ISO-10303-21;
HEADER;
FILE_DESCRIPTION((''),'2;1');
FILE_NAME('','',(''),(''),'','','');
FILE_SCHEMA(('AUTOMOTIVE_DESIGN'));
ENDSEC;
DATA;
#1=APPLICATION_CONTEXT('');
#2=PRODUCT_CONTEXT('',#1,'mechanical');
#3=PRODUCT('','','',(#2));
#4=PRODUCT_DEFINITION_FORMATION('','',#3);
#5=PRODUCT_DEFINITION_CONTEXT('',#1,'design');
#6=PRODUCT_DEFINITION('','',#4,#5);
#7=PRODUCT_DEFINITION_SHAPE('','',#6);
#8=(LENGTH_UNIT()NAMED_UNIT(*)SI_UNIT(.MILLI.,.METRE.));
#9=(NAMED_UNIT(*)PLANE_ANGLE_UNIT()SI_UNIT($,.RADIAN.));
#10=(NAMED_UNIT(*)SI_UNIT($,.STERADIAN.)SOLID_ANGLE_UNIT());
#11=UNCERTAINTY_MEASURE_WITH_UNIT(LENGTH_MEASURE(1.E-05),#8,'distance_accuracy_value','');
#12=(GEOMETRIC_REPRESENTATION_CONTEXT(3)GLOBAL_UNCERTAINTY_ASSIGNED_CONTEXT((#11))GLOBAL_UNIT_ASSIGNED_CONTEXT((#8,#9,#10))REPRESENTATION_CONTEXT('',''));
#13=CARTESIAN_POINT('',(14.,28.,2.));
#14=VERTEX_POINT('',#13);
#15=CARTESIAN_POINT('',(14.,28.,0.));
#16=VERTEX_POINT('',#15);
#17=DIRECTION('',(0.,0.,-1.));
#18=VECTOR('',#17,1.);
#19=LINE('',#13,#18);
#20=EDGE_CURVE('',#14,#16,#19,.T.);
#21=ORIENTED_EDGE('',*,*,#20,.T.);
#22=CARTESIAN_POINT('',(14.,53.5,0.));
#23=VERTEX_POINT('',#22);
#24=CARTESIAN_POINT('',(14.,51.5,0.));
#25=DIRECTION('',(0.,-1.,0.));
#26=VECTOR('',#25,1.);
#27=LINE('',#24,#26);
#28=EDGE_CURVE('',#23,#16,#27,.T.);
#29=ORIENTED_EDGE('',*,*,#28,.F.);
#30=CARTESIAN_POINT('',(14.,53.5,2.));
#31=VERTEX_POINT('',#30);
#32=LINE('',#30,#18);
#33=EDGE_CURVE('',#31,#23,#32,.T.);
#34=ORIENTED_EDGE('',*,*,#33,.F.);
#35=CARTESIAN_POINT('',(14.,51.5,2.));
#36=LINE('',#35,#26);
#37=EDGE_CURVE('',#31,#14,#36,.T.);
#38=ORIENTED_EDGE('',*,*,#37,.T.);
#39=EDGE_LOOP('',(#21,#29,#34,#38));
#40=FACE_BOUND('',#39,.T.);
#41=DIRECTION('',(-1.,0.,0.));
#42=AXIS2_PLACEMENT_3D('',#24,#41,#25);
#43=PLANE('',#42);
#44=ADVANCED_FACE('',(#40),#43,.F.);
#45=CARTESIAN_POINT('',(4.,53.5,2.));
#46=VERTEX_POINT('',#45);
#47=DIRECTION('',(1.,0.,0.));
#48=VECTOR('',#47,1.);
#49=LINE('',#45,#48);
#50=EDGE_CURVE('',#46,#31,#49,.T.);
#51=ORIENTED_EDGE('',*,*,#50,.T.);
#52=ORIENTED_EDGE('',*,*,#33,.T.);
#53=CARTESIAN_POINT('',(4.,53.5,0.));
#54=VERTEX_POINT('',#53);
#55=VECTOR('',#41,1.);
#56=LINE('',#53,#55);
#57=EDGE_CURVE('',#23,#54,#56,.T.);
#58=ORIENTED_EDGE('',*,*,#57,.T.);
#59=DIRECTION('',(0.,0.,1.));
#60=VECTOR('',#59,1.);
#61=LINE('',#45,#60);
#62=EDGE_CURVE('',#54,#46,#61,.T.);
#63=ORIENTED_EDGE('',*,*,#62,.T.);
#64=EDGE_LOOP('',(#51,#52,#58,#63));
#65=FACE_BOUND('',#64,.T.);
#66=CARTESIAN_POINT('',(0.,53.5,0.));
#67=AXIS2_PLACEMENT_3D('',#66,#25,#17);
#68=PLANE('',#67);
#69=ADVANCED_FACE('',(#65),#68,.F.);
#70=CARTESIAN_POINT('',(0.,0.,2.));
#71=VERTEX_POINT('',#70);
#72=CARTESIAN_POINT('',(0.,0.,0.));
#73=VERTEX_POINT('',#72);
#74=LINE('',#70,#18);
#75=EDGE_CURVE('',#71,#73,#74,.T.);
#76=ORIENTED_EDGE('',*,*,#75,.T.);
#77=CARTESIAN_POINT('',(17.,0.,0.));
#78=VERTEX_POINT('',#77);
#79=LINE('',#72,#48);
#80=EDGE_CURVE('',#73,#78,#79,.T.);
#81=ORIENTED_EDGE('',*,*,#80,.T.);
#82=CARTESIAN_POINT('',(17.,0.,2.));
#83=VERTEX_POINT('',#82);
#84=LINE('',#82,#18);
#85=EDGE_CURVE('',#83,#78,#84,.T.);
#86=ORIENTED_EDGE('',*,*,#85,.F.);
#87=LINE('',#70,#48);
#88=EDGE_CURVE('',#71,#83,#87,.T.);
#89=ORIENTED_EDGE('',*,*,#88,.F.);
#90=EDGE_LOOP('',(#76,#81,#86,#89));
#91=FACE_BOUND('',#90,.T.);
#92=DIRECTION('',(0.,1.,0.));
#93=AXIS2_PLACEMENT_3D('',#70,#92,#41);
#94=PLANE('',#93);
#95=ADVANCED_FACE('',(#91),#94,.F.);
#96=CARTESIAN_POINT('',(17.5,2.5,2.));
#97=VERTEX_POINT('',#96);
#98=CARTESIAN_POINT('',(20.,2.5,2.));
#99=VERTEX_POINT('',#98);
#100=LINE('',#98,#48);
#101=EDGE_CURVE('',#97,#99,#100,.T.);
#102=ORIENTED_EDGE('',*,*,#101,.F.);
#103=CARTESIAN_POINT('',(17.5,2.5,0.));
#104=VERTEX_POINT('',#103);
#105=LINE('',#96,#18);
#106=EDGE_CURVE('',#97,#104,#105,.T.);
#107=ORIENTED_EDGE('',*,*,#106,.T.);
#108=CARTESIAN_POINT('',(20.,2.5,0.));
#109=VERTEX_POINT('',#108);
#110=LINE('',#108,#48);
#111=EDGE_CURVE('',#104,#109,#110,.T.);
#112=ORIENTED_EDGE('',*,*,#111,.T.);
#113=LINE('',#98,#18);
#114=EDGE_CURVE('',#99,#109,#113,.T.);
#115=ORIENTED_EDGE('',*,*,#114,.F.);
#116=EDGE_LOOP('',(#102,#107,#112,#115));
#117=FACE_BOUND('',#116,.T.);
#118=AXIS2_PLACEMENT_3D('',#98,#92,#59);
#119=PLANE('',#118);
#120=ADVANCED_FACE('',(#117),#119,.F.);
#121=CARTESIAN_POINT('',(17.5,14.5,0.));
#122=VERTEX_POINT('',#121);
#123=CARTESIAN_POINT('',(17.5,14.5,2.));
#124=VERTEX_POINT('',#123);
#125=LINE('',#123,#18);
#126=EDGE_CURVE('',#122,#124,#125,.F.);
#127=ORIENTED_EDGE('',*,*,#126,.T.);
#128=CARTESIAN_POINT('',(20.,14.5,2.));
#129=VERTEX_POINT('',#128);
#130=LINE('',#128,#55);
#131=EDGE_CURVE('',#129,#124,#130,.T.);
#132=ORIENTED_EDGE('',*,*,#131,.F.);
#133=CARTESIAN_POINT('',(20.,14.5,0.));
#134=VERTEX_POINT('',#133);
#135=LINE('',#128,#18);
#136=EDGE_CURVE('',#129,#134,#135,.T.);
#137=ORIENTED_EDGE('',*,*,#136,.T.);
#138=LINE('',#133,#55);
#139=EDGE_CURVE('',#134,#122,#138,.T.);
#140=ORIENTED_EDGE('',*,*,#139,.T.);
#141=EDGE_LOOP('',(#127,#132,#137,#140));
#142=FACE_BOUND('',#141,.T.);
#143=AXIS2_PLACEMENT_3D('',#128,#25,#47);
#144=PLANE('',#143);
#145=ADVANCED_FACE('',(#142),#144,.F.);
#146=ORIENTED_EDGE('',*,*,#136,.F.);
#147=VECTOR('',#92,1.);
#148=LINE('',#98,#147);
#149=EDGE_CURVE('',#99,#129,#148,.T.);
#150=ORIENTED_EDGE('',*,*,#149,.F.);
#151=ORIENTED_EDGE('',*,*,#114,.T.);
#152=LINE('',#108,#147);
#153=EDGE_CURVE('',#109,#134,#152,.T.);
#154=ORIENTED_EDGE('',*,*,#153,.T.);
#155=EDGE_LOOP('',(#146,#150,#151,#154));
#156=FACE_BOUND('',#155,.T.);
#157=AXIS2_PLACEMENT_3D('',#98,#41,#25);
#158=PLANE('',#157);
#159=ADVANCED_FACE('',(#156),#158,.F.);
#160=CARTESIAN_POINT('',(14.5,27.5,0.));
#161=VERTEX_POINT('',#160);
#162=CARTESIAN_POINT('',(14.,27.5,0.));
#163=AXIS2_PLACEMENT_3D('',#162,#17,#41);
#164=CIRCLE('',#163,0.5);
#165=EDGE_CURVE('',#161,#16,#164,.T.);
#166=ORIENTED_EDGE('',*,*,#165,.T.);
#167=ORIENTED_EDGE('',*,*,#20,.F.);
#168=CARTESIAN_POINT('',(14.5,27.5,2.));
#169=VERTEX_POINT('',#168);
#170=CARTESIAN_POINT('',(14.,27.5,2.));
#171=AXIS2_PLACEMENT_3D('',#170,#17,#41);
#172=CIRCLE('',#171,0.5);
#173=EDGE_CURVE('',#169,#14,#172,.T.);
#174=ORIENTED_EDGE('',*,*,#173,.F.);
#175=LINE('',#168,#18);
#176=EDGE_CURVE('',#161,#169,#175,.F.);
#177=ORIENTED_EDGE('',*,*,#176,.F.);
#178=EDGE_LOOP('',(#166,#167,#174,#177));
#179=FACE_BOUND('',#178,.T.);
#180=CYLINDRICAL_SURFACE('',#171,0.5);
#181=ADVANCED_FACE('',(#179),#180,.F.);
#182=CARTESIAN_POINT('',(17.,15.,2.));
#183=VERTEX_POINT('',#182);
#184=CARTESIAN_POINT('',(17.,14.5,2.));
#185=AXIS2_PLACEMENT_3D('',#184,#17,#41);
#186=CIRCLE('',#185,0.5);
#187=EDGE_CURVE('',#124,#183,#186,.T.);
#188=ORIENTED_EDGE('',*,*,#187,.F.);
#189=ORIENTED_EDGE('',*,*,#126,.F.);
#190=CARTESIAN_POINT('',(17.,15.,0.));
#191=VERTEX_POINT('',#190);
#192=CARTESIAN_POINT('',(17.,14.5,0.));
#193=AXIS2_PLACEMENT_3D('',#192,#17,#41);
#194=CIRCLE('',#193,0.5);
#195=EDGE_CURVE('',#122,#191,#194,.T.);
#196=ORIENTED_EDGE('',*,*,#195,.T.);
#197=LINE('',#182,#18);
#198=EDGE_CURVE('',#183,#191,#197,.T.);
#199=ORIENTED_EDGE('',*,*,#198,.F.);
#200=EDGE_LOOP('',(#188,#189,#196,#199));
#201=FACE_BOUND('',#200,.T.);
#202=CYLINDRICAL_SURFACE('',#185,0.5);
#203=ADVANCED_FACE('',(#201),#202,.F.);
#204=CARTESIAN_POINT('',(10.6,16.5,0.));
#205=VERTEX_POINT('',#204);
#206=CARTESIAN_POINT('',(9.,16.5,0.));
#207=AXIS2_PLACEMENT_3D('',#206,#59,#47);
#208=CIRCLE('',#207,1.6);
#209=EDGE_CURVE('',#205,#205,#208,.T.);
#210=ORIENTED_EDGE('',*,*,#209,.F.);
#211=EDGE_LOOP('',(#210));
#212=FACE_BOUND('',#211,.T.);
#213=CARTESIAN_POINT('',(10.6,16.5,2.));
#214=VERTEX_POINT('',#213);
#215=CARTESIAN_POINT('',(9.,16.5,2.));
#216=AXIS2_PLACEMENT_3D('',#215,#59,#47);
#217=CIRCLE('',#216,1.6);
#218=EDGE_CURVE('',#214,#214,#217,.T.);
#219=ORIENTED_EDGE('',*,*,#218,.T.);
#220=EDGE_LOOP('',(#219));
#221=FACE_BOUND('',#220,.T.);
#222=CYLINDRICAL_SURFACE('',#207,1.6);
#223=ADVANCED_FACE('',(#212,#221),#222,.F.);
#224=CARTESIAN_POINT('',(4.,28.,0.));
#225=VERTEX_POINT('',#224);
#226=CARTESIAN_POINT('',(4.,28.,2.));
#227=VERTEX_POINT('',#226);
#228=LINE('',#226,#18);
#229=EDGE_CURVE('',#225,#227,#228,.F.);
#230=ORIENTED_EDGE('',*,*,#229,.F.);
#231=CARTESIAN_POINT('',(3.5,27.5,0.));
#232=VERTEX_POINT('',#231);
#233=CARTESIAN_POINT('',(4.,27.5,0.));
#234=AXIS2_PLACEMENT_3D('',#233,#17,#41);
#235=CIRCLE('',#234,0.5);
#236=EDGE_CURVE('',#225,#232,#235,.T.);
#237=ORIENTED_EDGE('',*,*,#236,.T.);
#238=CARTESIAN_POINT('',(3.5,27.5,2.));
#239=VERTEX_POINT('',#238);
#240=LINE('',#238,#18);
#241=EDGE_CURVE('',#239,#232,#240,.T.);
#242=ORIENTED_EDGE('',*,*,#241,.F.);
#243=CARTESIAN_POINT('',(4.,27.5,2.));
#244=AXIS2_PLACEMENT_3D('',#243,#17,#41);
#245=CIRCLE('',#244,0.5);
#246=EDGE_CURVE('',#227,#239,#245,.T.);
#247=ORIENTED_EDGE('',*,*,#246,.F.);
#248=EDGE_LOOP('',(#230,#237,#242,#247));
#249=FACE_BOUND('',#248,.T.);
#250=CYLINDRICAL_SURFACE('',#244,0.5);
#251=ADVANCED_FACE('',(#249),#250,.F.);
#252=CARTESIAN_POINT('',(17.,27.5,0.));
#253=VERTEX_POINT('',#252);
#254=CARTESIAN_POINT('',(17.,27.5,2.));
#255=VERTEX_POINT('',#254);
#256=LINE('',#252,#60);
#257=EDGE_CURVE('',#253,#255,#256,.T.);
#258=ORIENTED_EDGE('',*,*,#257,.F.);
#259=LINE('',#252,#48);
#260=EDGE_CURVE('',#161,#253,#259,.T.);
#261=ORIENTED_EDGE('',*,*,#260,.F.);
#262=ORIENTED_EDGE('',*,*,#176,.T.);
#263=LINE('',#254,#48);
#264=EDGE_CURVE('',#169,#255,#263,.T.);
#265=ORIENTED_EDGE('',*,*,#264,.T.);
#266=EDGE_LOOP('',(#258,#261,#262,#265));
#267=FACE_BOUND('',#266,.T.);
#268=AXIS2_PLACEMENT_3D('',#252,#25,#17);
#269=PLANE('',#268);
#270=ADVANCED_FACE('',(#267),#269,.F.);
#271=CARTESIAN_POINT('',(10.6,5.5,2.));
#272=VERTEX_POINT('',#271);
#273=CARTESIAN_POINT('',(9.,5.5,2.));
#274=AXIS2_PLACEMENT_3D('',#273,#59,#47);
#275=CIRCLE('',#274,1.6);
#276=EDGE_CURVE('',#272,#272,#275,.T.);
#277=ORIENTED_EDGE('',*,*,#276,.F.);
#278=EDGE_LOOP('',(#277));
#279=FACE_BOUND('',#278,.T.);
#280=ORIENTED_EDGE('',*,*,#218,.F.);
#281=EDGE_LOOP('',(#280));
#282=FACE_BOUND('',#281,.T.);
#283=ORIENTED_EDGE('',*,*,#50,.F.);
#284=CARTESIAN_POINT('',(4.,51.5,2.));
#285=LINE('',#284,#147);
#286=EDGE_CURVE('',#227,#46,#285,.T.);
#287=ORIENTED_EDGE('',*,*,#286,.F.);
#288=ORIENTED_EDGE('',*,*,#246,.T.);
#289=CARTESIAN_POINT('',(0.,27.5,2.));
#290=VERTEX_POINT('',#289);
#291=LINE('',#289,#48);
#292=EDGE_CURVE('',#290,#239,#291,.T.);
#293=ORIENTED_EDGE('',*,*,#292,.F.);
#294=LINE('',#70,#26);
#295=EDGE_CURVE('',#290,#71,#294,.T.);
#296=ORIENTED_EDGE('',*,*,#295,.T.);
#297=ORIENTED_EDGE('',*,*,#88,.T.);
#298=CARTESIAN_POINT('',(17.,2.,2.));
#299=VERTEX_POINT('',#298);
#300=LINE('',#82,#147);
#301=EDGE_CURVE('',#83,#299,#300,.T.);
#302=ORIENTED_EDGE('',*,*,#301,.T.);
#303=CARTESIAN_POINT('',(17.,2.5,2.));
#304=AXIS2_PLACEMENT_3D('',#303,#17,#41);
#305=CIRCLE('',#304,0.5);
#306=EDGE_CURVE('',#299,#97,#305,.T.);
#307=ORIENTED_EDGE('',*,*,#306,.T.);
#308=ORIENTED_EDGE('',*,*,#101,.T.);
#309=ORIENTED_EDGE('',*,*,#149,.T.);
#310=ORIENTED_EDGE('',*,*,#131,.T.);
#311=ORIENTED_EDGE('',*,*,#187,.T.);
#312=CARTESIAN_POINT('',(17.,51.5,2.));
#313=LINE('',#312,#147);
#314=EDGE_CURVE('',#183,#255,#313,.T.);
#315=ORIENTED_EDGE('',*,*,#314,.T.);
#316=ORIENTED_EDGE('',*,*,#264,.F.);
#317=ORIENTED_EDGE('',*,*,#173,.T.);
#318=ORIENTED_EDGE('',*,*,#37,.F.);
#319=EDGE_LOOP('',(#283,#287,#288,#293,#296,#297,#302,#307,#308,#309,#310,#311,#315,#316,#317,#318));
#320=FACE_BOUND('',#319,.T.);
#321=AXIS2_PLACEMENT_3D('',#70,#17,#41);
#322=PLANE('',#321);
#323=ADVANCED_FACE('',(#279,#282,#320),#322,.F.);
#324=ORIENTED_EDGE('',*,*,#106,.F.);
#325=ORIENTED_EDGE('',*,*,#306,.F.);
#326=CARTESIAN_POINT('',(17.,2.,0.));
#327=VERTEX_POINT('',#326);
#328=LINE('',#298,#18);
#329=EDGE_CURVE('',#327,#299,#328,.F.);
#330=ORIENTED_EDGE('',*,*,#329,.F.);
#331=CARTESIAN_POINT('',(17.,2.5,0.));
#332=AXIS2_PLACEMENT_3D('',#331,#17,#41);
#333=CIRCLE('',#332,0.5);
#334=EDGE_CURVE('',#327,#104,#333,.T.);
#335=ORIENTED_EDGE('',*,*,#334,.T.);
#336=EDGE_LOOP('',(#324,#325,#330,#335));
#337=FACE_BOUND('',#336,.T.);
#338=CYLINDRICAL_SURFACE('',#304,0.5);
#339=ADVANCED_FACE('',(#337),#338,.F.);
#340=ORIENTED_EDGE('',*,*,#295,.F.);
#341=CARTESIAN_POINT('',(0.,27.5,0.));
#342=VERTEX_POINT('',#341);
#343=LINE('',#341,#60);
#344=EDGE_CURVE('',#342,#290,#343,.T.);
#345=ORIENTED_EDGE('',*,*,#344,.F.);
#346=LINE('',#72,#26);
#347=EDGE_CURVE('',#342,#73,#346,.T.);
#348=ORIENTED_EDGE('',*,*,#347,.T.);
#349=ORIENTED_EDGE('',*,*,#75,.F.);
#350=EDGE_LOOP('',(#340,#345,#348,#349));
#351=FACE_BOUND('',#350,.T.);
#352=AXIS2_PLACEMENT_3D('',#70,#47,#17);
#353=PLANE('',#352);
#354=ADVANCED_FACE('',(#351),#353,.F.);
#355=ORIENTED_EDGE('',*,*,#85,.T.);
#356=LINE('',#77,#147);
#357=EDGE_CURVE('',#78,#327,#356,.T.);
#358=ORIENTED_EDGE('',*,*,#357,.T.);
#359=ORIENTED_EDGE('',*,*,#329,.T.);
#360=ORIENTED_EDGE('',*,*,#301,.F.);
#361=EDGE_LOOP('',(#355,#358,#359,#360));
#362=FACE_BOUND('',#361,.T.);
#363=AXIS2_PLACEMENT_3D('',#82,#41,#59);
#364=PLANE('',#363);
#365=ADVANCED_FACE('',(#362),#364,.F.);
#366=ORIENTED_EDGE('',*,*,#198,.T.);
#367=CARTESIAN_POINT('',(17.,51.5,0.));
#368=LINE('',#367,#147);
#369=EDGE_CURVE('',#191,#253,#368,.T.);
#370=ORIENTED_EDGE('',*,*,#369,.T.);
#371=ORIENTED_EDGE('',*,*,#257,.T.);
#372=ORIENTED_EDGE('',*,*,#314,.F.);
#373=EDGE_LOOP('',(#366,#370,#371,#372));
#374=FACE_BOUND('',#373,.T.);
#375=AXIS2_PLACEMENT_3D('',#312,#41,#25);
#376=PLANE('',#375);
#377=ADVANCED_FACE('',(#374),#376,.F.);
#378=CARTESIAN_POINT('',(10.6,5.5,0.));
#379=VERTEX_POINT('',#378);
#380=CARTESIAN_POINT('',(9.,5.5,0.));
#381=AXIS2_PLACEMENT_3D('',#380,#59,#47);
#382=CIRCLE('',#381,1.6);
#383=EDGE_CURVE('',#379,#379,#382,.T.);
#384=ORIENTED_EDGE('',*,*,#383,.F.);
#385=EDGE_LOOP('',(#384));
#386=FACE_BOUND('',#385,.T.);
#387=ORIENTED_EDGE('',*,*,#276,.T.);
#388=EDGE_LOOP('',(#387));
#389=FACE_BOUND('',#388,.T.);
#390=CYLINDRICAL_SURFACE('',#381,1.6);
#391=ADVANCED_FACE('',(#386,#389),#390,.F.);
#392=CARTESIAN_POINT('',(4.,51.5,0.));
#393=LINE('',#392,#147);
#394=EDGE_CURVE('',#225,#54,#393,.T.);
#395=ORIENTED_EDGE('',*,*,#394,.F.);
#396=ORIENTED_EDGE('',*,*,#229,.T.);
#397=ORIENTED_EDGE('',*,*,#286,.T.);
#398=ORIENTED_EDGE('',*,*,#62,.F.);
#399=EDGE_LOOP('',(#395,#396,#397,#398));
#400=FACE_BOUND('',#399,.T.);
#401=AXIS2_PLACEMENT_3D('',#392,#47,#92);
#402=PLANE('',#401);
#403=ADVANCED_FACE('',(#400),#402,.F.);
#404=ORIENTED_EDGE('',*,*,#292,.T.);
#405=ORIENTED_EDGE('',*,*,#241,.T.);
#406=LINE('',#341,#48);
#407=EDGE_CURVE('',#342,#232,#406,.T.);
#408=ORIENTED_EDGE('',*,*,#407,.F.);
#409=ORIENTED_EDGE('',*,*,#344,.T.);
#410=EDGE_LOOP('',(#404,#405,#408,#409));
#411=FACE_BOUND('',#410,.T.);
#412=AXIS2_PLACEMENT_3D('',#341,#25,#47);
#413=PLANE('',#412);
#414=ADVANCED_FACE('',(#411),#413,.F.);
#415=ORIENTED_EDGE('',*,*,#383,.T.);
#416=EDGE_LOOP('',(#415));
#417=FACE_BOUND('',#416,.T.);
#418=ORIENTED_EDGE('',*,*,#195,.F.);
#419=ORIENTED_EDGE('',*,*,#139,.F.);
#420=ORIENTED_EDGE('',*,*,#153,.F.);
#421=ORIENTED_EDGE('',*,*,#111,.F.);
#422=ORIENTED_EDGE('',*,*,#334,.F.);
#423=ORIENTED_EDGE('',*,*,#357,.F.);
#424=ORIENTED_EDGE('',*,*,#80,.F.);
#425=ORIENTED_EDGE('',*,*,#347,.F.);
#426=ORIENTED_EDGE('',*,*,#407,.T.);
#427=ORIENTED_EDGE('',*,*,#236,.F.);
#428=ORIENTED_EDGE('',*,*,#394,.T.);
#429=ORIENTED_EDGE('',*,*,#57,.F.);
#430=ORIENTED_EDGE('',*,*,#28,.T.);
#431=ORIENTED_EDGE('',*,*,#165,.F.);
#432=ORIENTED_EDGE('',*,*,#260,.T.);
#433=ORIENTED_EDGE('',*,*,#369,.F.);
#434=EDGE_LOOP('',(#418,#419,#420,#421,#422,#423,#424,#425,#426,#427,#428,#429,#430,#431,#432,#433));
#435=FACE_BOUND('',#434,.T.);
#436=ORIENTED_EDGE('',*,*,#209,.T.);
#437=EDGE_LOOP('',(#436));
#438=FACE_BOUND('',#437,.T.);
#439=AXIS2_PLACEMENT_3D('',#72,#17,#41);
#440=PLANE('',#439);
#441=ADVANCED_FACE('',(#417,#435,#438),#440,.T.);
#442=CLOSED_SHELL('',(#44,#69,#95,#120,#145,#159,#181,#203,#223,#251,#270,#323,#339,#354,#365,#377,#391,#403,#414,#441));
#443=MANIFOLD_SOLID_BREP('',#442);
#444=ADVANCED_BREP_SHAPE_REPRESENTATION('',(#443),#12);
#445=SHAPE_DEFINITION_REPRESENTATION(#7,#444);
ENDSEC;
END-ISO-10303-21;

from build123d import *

# Parameters (mm, degrees)
EXTRUDE_1_DEPTH     = 2
SKETCH_2_R          = 1.6
CUT_EXTRUDE_1_DEPTH = 3
SKETCH_3_W          = 3
SKETCH_3_H          = 24
SKETCH_3_W_2        = 4
CUT_EXTRUDE_2_DEPTH = 3
SKETCH_4_W          = 10
SKETCH_4_H          = 2
EXTRUDE_2_DEPTH     = 2
SKETCH_5_R          = 0.5
CUT_EXTRUDE_3_DEPTH = 2
SKETCH_6_R          = 0.5
CUT_EXTRUDE_4_DEPTH = 2


with BuildPart() as part:
    # 草图1 → 凸台-拉伸1 (new body)
    with BuildSketch(Plane.XY):
        Polygon((0, 0), (17, 0), (17, 2.5), (20, 2.5), (20, 14.5), (17, 14.5), (17, 51.5), (0, 51.5), align=None)
    extrude(amount=EXTRUDE_1_DEPTH)

    # 草图2 → 切除-拉伸1 (cut, through all)
    with BuildSketch(Plane.XY.offset(2)):
        with Locations((9, 5.5)):
            Circle(SKETCH_2_R)
        with Locations((9, 16.5)):
            Circle(SKETCH_2_R)
    extrude(amount=-CUT_EXTRUDE_1_DEPTH, mode=Mode.SUBTRACT)

    # 草图3 → 切除-拉伸2 (cut, through all)
    with BuildSketch(Plane.XY.offset(2)):
        with Locations((15.5, 39.5)):
            Rectangle(SKETCH_3_W, SKETCH_3_H)
        with Locations((2, 39.5)):
            Rectangle(SKETCH_3_W_2, SKETCH_3_H)
    extrude(amount=-CUT_EXTRUDE_2_DEPTH, mode=Mode.SUBTRACT)

    # 草图4 → 凸台-拉伸2 (add)
    with BuildSketch(Plane(origin=(0, 51.5, 0), x_dir=(1, 0, 0), z_dir=(0, 1, 0))):
        with Locations((9, -1)):
            Rectangle(SKETCH_4_W, SKETCH_4_H)
    extrude(amount=EXTRUDE_2_DEPTH)

    # 草图5 → 切除-拉伸3 (cut)
    with BuildSketch(Plane(origin=(0, 0, 0), x_dir=(-1, 0, 0), z_dir=(0, 0, -1))):
        with Locations((-14, 27.5)):
            Circle(SKETCH_5_R)
        with Locations((-4, 27.5)):
            Circle(SKETCH_5_R)
    extrude(amount=-CUT_EXTRUDE_3_DEPTH, mode=Mode.SUBTRACT)

    # 草图6 → 切除-拉伸4 (cut)
    with BuildSketch(Plane(origin=(0, 0, 0), x_dir=(-1, 0, 0), z_dir=(0, 0, -1))):
        with Locations((-17, 14.5)):
            Circle(SKETCH_6_R)
        with Locations((-17, 2.5)):
            Circle(SKETCH_6_R)
    extrude(amount=-CUT_EXTRUDE_4_DEPTH, mode=Mode.SUBTRACT)


solid = part.part
